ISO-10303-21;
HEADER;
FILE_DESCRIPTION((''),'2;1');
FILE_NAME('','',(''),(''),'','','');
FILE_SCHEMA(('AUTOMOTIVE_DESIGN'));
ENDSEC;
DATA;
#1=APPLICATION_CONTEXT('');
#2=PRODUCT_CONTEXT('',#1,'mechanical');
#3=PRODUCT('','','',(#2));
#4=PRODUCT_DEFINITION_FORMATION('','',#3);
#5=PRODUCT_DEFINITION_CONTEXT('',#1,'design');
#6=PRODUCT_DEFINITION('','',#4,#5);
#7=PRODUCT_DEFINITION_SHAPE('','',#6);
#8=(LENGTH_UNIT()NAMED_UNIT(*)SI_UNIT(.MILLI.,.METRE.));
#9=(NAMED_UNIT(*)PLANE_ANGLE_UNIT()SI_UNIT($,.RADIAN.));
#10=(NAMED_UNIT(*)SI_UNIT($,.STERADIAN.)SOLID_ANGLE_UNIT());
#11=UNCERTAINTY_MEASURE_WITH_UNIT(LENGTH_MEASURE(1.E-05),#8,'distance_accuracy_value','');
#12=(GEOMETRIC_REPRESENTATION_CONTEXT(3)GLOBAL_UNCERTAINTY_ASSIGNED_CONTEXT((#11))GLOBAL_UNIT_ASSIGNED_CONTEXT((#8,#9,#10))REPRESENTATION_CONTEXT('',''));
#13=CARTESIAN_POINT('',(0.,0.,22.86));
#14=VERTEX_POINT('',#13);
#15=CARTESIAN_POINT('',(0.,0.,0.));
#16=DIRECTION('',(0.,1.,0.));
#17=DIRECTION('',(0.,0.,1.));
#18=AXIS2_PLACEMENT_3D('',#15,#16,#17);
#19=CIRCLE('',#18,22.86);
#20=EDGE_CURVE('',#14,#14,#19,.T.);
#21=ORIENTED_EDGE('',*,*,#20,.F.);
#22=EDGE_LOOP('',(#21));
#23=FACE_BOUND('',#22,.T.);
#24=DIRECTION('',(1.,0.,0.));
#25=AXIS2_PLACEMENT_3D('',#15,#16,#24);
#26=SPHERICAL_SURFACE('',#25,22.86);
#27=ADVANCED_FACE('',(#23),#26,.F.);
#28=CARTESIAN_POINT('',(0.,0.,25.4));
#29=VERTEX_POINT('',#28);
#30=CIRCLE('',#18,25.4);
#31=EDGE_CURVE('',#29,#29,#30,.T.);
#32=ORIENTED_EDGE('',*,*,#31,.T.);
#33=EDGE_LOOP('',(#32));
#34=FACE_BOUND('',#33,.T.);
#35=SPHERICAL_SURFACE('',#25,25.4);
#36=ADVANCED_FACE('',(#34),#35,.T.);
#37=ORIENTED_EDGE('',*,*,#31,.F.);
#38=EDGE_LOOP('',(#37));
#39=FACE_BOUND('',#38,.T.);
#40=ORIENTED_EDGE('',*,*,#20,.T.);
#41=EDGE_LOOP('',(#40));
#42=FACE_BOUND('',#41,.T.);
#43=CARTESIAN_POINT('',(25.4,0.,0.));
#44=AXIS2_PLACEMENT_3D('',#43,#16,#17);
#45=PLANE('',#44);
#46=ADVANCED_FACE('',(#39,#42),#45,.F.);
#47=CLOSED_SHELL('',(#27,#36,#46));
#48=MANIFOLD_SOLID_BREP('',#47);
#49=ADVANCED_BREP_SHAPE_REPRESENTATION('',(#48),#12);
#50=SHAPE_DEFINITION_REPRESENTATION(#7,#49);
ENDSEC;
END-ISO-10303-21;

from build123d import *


with BuildPart() as part:
    # Sketch1 → Revolve3 (revolve)
    with BuildSketch(Plane.XY):
        with BuildLine():
            Line((25.4, 0), (22.86, 0))
            ThreePointArc((22.86, 0), (16.164461018, 16.164461018), (0, 22.86))
            Line((0, 22.86), (0, 25.4))
            ThreePointArc((0, 25.4), (17.960512242, 17.960512242), (25.4, 0))
        make_face()
    revolve(axis=Axis((0, 26.67, 0), (0, -1, 0)))


solid = part.part
